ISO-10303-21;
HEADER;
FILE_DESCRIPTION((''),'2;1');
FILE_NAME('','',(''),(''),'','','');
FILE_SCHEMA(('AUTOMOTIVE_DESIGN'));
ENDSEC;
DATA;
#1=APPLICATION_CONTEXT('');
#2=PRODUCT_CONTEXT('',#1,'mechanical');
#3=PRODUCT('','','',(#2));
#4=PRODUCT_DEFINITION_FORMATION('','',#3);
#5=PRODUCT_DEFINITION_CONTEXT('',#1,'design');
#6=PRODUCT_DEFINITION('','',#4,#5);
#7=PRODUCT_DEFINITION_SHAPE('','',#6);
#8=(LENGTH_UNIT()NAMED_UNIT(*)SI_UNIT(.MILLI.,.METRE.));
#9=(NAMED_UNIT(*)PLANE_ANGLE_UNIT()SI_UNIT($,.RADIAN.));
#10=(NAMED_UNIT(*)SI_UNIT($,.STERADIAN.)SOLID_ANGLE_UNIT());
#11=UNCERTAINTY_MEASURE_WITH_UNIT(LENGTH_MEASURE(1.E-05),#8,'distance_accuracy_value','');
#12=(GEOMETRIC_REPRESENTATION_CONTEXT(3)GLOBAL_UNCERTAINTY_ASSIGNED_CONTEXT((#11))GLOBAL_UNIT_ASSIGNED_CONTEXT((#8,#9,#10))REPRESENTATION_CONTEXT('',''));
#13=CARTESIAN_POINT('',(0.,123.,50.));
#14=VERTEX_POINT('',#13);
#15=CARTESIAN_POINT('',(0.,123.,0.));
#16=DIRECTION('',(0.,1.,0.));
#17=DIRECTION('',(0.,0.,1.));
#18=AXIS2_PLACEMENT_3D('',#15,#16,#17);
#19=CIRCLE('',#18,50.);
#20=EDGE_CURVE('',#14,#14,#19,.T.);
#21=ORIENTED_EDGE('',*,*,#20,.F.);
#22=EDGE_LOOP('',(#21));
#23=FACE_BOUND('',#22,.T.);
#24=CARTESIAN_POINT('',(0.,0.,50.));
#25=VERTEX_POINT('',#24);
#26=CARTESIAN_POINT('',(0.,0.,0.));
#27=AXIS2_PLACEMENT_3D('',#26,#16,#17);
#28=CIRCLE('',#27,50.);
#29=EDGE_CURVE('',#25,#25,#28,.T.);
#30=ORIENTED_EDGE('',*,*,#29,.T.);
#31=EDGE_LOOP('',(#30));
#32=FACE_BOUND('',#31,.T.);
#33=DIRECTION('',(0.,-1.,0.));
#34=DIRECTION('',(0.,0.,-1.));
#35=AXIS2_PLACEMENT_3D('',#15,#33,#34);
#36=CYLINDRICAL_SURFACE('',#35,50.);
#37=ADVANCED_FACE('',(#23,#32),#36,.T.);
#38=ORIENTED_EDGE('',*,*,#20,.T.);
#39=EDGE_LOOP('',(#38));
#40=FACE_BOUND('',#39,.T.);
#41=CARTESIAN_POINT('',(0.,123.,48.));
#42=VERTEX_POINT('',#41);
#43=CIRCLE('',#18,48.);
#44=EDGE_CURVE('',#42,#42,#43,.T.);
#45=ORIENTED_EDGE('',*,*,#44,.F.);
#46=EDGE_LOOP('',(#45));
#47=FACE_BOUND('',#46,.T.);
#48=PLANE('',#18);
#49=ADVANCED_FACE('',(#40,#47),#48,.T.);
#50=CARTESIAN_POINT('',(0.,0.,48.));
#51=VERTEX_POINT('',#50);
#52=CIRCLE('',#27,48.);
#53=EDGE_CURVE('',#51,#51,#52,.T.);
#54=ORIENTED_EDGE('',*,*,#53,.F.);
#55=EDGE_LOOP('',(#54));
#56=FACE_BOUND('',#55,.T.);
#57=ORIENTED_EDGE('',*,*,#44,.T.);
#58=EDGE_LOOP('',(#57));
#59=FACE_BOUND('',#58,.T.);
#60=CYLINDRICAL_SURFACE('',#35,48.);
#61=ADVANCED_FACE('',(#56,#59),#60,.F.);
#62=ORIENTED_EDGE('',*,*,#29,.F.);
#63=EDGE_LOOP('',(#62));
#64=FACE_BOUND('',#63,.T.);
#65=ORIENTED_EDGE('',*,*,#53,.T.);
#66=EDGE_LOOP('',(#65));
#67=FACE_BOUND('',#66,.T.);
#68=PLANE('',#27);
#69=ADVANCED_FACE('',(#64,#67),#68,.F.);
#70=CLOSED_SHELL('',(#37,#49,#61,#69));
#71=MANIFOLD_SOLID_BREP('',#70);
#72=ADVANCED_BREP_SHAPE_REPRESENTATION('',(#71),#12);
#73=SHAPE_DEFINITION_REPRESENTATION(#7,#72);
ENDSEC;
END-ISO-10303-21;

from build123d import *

# Parameters (mm, degrees)
SKETCH_1_R      = 50
SKETCH_1_R_2    = 48
EXTRUDE_1_DEPTH = 123


with BuildPart() as part:
    # Эскиз1 → Бобышка-Вытянуть1 (new body)
    with BuildSketch(Plane(origin=(0, 0, 0), x_dir=(1, 0, 0), z_dir=(0, 1, 0))):
        with Locations(Location((0, 0, 0), (0, 0, 270))):
            Circle(SKETCH_1_R)
        with Locations(Location((0, 0, 0), (0, 0, 270))):
            Circle(SKETCH_1_R_2, mode=Mode.SUBTRACT)
    extrude(amount=EXTRUDE_1_DEPTH)


solid = part.part
